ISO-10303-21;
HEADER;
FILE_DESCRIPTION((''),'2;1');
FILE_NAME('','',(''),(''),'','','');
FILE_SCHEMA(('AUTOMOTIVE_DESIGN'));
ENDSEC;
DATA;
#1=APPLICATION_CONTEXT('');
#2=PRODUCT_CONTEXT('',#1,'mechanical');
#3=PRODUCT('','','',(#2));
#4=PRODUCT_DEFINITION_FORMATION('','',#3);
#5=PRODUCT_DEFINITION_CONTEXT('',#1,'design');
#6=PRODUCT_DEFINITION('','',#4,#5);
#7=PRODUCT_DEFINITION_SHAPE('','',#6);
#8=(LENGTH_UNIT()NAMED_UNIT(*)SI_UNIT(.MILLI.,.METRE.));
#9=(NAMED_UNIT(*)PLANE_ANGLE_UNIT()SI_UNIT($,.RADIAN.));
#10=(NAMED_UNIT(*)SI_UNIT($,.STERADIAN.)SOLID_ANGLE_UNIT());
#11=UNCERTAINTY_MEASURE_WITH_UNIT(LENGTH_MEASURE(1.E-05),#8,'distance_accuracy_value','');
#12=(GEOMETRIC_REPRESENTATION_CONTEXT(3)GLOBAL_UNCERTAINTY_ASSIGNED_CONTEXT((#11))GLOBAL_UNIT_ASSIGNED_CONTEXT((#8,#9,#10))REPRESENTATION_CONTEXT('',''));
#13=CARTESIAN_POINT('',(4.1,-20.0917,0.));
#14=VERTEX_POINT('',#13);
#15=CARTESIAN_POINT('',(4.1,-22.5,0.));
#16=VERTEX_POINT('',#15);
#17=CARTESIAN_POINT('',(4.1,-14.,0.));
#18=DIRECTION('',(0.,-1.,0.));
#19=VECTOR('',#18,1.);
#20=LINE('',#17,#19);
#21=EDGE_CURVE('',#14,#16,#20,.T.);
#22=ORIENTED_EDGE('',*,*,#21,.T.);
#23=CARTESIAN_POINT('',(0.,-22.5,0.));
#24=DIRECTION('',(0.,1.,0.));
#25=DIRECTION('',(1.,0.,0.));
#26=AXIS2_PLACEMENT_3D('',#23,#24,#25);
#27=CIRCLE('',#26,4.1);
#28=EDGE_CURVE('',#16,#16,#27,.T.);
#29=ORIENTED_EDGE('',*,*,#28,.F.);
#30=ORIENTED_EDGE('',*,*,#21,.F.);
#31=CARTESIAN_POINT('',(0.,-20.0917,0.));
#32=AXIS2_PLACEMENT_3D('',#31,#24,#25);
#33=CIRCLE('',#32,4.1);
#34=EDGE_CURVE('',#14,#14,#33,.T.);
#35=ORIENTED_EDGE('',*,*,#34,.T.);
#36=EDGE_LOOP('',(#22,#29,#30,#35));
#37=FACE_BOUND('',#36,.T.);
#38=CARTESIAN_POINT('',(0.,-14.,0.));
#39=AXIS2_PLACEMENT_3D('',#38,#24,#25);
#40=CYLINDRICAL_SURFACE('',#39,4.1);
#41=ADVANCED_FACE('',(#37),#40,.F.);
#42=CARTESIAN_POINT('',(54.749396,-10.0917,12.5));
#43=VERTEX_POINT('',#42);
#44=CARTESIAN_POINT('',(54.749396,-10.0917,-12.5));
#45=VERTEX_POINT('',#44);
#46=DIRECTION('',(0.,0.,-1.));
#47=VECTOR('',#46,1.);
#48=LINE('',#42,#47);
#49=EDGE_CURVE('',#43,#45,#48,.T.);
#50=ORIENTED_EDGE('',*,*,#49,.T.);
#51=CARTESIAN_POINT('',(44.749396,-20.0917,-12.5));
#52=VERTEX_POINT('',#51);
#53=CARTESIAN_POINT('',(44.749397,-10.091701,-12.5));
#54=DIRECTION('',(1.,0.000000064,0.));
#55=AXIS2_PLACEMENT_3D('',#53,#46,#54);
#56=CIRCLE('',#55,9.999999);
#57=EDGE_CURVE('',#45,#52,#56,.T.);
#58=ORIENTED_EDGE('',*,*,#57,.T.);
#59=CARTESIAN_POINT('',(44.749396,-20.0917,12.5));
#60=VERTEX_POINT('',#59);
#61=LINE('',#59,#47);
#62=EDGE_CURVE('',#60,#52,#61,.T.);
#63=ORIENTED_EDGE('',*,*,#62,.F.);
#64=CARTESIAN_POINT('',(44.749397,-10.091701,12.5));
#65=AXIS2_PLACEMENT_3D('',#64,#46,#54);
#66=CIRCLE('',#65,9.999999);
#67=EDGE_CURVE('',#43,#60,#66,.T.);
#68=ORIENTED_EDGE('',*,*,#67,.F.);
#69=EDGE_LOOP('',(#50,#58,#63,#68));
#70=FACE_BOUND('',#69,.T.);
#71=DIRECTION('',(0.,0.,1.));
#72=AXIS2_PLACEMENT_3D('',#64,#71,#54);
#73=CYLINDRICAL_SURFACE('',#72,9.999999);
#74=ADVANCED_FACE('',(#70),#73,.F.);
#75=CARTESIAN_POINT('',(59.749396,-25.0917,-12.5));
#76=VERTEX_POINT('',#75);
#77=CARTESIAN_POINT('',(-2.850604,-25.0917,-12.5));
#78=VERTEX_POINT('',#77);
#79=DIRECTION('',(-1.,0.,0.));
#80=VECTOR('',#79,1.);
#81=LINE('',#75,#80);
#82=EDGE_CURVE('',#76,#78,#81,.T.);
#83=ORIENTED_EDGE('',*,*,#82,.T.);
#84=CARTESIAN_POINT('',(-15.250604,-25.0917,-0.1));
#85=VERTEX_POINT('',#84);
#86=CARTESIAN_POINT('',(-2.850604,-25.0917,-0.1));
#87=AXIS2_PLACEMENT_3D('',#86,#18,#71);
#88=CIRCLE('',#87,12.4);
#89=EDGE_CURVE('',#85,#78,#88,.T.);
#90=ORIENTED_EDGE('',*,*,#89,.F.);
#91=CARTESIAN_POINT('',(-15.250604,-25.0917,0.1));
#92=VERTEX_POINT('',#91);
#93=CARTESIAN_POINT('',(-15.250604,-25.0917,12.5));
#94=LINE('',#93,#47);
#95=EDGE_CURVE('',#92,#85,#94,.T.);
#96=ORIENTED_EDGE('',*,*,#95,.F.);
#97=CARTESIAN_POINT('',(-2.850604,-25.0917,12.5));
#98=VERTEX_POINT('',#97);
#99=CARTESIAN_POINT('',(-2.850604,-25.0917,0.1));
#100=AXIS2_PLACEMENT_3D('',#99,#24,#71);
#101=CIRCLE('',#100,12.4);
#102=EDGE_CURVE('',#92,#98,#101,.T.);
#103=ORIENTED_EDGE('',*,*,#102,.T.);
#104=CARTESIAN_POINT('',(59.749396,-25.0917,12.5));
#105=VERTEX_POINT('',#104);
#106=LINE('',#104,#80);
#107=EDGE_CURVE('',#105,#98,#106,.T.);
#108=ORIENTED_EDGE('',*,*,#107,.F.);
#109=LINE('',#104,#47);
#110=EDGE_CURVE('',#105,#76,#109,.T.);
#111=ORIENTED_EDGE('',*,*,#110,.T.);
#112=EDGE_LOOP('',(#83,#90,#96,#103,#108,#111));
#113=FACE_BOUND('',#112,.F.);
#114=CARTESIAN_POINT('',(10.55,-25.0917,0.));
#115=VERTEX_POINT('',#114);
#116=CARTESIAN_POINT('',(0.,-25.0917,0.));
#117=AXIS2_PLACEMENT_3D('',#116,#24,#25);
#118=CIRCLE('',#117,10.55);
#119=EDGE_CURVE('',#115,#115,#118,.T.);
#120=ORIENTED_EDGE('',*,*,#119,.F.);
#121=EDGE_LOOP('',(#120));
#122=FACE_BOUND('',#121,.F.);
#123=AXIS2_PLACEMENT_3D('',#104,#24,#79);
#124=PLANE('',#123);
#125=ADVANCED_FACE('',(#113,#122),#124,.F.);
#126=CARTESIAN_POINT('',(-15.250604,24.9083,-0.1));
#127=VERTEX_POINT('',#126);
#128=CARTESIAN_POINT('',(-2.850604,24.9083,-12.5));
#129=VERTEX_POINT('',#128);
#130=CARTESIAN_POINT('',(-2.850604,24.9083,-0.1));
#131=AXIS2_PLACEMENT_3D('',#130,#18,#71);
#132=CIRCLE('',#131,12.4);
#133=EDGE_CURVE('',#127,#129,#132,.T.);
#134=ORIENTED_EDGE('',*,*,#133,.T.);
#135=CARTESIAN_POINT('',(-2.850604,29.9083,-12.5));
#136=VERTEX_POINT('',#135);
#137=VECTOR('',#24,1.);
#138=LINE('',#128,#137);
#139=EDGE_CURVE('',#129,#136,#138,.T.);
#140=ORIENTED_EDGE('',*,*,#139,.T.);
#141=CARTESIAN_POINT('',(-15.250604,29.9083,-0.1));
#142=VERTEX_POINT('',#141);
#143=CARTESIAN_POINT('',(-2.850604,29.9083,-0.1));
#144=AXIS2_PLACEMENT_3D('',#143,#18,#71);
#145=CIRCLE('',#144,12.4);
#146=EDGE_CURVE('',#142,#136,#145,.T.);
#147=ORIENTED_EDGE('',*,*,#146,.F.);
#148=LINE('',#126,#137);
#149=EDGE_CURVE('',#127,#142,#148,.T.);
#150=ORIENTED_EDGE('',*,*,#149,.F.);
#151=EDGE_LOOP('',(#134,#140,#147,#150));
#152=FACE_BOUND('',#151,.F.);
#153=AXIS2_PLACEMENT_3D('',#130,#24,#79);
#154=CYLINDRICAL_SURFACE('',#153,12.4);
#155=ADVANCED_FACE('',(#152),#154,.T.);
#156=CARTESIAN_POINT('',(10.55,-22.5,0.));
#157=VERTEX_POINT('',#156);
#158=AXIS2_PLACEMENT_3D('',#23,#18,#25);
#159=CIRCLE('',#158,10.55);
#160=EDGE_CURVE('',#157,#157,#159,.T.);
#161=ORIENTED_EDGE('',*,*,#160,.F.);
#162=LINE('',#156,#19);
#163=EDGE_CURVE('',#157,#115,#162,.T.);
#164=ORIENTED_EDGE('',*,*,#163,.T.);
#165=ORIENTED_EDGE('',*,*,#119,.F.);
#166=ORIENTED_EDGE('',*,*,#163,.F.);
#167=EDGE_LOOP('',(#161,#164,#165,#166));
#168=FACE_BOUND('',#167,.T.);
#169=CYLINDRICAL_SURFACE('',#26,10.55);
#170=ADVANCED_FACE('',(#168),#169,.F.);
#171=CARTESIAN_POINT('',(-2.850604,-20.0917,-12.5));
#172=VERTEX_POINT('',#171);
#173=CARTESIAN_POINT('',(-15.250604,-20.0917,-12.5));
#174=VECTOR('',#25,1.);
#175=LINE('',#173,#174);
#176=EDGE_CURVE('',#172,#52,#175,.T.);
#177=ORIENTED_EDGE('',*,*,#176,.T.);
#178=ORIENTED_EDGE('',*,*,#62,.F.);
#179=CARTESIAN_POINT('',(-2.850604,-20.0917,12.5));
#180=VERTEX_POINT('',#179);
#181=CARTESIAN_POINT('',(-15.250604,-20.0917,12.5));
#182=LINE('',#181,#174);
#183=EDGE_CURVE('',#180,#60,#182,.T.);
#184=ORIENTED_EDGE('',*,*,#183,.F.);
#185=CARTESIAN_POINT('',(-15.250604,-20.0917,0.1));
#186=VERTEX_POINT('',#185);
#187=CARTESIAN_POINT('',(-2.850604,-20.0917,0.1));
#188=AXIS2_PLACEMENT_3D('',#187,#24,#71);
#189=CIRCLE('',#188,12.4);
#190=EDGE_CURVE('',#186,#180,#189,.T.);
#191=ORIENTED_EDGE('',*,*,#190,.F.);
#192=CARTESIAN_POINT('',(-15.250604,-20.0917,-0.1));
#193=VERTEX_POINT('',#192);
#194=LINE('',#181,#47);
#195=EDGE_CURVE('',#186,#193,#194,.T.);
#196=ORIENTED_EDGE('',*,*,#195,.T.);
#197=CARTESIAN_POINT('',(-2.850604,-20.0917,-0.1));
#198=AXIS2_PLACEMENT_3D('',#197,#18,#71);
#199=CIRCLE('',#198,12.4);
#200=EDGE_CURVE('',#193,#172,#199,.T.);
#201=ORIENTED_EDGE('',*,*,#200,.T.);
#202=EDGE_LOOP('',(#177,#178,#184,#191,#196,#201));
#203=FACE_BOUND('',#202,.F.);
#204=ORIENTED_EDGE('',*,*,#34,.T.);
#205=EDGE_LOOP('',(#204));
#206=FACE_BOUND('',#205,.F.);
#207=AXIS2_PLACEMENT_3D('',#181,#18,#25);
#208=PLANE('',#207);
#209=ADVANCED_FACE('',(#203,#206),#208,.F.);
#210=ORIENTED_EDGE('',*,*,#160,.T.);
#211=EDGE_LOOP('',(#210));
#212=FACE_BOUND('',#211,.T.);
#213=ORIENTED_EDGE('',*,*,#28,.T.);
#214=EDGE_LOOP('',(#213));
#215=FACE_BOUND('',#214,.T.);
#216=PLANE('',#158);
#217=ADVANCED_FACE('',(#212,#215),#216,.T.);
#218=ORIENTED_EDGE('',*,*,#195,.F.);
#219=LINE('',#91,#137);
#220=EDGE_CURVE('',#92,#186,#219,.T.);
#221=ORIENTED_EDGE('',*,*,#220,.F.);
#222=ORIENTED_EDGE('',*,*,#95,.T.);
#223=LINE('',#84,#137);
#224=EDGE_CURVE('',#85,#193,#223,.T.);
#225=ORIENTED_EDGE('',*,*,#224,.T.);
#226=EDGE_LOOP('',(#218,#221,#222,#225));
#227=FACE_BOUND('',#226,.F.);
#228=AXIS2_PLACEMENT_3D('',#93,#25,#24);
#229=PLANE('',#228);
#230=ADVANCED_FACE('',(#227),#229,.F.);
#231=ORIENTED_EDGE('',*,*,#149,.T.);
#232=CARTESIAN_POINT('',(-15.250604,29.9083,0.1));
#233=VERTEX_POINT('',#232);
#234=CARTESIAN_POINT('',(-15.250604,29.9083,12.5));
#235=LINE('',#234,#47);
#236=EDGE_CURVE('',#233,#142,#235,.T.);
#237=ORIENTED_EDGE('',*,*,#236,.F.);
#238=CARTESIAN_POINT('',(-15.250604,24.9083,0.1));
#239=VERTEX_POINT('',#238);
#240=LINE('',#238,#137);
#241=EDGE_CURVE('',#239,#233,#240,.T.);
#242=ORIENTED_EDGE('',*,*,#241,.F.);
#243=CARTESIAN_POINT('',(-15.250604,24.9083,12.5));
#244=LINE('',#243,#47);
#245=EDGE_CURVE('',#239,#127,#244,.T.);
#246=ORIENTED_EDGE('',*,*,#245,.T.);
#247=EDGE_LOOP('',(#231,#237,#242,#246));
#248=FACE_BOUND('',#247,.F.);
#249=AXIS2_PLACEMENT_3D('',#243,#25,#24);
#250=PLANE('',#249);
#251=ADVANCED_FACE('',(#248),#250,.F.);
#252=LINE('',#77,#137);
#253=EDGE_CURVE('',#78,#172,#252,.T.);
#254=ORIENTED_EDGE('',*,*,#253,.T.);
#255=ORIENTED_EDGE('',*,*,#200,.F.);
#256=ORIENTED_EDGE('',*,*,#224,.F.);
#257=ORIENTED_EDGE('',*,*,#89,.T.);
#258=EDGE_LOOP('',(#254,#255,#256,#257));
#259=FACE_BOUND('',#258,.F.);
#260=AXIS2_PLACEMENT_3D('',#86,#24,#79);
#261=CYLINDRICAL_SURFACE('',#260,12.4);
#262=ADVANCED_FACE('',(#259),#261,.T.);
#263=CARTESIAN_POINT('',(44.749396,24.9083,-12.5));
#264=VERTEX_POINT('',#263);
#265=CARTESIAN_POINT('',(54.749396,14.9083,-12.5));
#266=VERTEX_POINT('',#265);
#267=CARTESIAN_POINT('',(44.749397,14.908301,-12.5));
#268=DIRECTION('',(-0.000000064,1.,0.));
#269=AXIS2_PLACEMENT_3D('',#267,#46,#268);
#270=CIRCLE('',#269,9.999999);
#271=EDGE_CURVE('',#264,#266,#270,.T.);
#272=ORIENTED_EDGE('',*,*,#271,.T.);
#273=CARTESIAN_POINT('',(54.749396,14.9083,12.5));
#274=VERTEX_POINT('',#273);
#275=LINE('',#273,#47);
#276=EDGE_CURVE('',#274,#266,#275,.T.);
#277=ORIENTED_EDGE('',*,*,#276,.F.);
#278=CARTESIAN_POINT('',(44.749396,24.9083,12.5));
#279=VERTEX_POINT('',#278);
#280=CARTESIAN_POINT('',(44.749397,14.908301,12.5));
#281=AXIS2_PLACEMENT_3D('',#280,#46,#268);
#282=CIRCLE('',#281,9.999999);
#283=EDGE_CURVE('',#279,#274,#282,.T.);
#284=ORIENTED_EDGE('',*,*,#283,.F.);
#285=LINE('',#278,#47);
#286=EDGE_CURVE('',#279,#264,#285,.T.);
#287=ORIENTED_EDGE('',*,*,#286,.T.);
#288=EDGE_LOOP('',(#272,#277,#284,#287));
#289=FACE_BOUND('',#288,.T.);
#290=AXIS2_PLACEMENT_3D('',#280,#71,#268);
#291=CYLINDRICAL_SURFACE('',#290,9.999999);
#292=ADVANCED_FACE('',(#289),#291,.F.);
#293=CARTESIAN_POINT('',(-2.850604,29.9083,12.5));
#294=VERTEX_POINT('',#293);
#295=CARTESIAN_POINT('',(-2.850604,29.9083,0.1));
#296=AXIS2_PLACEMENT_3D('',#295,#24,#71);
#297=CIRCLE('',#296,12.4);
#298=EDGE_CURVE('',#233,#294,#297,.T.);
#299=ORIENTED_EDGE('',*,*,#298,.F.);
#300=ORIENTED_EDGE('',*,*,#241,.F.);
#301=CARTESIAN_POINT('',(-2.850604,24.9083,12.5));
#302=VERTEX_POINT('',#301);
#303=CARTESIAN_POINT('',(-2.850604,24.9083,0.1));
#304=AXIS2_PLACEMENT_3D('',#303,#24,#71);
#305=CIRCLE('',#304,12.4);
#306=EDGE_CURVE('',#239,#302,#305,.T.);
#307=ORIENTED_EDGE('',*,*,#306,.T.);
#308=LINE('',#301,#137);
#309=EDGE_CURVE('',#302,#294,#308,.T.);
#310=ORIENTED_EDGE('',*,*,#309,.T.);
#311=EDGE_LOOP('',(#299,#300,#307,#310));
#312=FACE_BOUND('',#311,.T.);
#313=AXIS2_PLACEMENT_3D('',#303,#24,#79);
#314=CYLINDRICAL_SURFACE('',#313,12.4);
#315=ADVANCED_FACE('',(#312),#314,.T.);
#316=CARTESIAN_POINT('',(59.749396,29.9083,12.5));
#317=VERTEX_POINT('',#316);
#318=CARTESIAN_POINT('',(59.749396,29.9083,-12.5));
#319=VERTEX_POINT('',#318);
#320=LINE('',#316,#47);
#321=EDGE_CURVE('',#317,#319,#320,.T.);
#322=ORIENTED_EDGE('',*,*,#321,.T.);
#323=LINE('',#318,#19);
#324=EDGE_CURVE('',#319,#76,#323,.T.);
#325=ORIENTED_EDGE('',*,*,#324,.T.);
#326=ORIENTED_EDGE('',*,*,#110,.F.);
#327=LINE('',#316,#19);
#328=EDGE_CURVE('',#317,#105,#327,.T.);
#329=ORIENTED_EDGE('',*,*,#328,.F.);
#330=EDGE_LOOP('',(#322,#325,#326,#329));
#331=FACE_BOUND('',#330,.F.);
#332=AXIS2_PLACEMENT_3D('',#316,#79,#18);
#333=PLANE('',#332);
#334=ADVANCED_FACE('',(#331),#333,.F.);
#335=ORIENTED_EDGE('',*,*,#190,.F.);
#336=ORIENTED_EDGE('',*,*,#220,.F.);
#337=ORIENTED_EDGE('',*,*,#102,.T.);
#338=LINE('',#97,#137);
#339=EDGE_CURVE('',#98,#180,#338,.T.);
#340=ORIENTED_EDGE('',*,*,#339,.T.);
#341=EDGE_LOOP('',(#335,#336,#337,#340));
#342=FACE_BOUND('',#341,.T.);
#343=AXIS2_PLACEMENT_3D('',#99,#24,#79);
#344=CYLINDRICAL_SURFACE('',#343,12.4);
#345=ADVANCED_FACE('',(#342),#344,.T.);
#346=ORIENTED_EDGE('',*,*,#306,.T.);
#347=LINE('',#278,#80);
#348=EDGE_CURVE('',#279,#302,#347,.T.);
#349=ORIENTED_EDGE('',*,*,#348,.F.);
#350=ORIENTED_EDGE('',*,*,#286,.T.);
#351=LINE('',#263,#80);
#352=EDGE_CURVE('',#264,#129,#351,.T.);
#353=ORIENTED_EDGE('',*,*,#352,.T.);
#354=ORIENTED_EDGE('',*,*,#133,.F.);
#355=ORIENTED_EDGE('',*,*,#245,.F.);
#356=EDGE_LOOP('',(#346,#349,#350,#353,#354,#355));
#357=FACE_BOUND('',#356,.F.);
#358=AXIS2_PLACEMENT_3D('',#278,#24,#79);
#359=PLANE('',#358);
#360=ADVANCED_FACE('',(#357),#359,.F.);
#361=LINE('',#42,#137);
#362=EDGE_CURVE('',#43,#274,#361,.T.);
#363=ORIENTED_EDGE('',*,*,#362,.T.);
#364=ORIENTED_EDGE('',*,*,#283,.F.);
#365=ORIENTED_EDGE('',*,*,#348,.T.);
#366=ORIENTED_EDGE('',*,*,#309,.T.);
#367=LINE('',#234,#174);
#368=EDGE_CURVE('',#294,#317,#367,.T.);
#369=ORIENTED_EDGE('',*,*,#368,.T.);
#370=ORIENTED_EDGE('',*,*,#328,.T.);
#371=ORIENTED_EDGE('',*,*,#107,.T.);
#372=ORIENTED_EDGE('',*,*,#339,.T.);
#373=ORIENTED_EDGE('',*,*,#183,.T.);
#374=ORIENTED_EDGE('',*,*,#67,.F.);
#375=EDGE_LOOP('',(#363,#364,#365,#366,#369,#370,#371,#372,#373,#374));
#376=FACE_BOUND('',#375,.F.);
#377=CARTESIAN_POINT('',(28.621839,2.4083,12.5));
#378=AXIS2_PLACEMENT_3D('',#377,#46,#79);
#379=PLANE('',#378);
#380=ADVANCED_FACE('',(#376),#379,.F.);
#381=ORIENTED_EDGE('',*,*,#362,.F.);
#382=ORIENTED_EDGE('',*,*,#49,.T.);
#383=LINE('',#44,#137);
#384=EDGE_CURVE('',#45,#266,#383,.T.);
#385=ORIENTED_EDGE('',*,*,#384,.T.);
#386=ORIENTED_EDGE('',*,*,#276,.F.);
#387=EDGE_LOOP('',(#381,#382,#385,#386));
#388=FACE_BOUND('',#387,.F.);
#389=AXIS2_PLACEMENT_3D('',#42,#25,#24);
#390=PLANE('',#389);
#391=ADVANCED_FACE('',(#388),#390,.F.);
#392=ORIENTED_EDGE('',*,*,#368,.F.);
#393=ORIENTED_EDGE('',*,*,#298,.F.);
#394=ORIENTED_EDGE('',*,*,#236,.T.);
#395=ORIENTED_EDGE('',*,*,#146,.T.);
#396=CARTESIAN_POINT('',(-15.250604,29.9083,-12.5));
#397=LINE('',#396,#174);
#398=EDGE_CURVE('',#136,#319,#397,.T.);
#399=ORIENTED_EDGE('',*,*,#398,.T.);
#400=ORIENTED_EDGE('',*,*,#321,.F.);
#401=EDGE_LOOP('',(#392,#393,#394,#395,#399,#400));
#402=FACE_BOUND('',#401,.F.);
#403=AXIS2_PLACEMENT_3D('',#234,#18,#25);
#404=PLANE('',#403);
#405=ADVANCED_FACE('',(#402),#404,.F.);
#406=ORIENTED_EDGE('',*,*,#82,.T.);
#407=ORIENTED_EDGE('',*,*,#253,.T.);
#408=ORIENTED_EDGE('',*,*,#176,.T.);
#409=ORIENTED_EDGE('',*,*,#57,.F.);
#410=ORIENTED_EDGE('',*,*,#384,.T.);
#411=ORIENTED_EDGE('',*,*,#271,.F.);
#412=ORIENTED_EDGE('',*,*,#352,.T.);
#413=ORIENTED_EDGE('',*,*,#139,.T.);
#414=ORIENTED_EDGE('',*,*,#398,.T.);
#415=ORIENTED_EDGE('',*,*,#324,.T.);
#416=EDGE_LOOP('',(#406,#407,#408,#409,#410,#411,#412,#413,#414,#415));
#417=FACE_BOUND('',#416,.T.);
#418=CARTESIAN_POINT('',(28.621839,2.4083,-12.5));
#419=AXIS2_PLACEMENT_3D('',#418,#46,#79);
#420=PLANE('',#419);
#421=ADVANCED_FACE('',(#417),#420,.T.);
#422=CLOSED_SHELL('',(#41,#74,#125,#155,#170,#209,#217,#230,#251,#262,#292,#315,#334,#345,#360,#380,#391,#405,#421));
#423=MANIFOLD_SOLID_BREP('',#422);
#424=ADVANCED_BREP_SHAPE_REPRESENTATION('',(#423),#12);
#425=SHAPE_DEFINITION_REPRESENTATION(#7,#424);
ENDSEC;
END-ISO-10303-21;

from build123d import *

# Parameters (mm, degrees)
CYLINDER018_R          = 4.1
CYLINDER018_DEPTH      = 10
CYLINDER018_ROLL_ANGLE = 90
CYLINDER016_R          = 10.55
CYLINDER016_DEPTH      = 10
CYLINDER016_ROLL_ANGLE = 90
PAD005_DEPTH           = 25
FILLET008_R            = 12.4


with BuildPart() as cilindro018:
    # Cylinder018 → Cylinder018 (new body)
    with BuildSketch(Plane.XY):
        Circle(CYLINDER018_R)
    extrude(amount=CYLINDER018_DEPTH)


with BuildPart() as cilindro018_1:
    # Cylinder018 roll: moved
    add(cilindro018.part.rotate(Axis((0, 0, 0), (1, 0, 0)), CYLINDER018_ROLL_ANGLE))


with BuildPart() as cilindro018_2:
    # Cylinder018 placement: moved
    add(cilindro018_1.part.moved(Location((0, -14, 0))))


with BuildPart() as taladro_horm001:
    # Cylinder016 → Cylinder016 (new body)
    with BuildSketch(Plane.XY):
        Circle(CYLINDER016_R)
    extrude(amount=CYLINDER016_DEPTH)


with BuildPart() as taladro_horm001_1:
    # Cylinder016 roll: moved
    add(taladro_horm001.part.rotate(Axis((0, 0, 0), (1, 0, 0)), CYLINDER016_ROLL_ANGLE))


with BuildPart() as taladro_horm001_2:
    # Cylinder016 placement: moved
    add(taladro_horm001_1.part.moved(Location((0, -22.5, 0))))

    # Fusion002: union Cilindro018
    add(cilindro018_2.part)


with BuildPart() as cut023004:
    # Sketch005 → Pad005 (new body)
    with BuildSketch(Plane(origin=(0, 0, 12.5), x_dir=(-1, 0, 0), z_dir=(0, 0, -1))):
        with BuildLine():
            Line((-59.749396, 29.9083), (-59.749396, -25.0917))
            Line((-59.749396, -25.0917), (15.250604, -25.0917))
            Line((15.250604, -25.0917), (15.250604, -20.0917))
            Line((15.250604, -20.0917), (-44.749396, -20.0917))
            ThreePointArc((-54.749396, -10.0917), (-51.820464, -17.162768), (-44.749396, -20.0917))
            Line((-54.749396, -10.0917), (-54.749396, 14.9083))
            ThreePointArc((-44.749396, 24.9083), (-51.820464, 21.979368), (-54.749396, 14.9083))
            Line((-44.749396, 24.9083), (15.250604, 24.9083))
            Line((15.250604, 24.9083), (15.250604, 29.9083))
            Line((15.250604, 29.9083), (-59.749396, 29.9083))
        make_face()
    extrude(amount=PAD005_DEPTH)

    # Fillet008
    fillet008_edges = [cut023004.edges().sort_by_distance(p)[0] for p in [
        (-15.250604, 27.4083, 12.5),
        (-15.250604, 27.4083, -12.5),
        (-15.250604, -22.5917, 12.5),
        (-15.250604, -22.5917, -12.5),
    ]]
    fillet(fillet008_edges, radius=FILLET008_R)

    # Cut023004: cut Taladro-horm001
    add(taladro_horm001_2.part, mode=Mode.SUBTRACT)


solid = cut023004.part
